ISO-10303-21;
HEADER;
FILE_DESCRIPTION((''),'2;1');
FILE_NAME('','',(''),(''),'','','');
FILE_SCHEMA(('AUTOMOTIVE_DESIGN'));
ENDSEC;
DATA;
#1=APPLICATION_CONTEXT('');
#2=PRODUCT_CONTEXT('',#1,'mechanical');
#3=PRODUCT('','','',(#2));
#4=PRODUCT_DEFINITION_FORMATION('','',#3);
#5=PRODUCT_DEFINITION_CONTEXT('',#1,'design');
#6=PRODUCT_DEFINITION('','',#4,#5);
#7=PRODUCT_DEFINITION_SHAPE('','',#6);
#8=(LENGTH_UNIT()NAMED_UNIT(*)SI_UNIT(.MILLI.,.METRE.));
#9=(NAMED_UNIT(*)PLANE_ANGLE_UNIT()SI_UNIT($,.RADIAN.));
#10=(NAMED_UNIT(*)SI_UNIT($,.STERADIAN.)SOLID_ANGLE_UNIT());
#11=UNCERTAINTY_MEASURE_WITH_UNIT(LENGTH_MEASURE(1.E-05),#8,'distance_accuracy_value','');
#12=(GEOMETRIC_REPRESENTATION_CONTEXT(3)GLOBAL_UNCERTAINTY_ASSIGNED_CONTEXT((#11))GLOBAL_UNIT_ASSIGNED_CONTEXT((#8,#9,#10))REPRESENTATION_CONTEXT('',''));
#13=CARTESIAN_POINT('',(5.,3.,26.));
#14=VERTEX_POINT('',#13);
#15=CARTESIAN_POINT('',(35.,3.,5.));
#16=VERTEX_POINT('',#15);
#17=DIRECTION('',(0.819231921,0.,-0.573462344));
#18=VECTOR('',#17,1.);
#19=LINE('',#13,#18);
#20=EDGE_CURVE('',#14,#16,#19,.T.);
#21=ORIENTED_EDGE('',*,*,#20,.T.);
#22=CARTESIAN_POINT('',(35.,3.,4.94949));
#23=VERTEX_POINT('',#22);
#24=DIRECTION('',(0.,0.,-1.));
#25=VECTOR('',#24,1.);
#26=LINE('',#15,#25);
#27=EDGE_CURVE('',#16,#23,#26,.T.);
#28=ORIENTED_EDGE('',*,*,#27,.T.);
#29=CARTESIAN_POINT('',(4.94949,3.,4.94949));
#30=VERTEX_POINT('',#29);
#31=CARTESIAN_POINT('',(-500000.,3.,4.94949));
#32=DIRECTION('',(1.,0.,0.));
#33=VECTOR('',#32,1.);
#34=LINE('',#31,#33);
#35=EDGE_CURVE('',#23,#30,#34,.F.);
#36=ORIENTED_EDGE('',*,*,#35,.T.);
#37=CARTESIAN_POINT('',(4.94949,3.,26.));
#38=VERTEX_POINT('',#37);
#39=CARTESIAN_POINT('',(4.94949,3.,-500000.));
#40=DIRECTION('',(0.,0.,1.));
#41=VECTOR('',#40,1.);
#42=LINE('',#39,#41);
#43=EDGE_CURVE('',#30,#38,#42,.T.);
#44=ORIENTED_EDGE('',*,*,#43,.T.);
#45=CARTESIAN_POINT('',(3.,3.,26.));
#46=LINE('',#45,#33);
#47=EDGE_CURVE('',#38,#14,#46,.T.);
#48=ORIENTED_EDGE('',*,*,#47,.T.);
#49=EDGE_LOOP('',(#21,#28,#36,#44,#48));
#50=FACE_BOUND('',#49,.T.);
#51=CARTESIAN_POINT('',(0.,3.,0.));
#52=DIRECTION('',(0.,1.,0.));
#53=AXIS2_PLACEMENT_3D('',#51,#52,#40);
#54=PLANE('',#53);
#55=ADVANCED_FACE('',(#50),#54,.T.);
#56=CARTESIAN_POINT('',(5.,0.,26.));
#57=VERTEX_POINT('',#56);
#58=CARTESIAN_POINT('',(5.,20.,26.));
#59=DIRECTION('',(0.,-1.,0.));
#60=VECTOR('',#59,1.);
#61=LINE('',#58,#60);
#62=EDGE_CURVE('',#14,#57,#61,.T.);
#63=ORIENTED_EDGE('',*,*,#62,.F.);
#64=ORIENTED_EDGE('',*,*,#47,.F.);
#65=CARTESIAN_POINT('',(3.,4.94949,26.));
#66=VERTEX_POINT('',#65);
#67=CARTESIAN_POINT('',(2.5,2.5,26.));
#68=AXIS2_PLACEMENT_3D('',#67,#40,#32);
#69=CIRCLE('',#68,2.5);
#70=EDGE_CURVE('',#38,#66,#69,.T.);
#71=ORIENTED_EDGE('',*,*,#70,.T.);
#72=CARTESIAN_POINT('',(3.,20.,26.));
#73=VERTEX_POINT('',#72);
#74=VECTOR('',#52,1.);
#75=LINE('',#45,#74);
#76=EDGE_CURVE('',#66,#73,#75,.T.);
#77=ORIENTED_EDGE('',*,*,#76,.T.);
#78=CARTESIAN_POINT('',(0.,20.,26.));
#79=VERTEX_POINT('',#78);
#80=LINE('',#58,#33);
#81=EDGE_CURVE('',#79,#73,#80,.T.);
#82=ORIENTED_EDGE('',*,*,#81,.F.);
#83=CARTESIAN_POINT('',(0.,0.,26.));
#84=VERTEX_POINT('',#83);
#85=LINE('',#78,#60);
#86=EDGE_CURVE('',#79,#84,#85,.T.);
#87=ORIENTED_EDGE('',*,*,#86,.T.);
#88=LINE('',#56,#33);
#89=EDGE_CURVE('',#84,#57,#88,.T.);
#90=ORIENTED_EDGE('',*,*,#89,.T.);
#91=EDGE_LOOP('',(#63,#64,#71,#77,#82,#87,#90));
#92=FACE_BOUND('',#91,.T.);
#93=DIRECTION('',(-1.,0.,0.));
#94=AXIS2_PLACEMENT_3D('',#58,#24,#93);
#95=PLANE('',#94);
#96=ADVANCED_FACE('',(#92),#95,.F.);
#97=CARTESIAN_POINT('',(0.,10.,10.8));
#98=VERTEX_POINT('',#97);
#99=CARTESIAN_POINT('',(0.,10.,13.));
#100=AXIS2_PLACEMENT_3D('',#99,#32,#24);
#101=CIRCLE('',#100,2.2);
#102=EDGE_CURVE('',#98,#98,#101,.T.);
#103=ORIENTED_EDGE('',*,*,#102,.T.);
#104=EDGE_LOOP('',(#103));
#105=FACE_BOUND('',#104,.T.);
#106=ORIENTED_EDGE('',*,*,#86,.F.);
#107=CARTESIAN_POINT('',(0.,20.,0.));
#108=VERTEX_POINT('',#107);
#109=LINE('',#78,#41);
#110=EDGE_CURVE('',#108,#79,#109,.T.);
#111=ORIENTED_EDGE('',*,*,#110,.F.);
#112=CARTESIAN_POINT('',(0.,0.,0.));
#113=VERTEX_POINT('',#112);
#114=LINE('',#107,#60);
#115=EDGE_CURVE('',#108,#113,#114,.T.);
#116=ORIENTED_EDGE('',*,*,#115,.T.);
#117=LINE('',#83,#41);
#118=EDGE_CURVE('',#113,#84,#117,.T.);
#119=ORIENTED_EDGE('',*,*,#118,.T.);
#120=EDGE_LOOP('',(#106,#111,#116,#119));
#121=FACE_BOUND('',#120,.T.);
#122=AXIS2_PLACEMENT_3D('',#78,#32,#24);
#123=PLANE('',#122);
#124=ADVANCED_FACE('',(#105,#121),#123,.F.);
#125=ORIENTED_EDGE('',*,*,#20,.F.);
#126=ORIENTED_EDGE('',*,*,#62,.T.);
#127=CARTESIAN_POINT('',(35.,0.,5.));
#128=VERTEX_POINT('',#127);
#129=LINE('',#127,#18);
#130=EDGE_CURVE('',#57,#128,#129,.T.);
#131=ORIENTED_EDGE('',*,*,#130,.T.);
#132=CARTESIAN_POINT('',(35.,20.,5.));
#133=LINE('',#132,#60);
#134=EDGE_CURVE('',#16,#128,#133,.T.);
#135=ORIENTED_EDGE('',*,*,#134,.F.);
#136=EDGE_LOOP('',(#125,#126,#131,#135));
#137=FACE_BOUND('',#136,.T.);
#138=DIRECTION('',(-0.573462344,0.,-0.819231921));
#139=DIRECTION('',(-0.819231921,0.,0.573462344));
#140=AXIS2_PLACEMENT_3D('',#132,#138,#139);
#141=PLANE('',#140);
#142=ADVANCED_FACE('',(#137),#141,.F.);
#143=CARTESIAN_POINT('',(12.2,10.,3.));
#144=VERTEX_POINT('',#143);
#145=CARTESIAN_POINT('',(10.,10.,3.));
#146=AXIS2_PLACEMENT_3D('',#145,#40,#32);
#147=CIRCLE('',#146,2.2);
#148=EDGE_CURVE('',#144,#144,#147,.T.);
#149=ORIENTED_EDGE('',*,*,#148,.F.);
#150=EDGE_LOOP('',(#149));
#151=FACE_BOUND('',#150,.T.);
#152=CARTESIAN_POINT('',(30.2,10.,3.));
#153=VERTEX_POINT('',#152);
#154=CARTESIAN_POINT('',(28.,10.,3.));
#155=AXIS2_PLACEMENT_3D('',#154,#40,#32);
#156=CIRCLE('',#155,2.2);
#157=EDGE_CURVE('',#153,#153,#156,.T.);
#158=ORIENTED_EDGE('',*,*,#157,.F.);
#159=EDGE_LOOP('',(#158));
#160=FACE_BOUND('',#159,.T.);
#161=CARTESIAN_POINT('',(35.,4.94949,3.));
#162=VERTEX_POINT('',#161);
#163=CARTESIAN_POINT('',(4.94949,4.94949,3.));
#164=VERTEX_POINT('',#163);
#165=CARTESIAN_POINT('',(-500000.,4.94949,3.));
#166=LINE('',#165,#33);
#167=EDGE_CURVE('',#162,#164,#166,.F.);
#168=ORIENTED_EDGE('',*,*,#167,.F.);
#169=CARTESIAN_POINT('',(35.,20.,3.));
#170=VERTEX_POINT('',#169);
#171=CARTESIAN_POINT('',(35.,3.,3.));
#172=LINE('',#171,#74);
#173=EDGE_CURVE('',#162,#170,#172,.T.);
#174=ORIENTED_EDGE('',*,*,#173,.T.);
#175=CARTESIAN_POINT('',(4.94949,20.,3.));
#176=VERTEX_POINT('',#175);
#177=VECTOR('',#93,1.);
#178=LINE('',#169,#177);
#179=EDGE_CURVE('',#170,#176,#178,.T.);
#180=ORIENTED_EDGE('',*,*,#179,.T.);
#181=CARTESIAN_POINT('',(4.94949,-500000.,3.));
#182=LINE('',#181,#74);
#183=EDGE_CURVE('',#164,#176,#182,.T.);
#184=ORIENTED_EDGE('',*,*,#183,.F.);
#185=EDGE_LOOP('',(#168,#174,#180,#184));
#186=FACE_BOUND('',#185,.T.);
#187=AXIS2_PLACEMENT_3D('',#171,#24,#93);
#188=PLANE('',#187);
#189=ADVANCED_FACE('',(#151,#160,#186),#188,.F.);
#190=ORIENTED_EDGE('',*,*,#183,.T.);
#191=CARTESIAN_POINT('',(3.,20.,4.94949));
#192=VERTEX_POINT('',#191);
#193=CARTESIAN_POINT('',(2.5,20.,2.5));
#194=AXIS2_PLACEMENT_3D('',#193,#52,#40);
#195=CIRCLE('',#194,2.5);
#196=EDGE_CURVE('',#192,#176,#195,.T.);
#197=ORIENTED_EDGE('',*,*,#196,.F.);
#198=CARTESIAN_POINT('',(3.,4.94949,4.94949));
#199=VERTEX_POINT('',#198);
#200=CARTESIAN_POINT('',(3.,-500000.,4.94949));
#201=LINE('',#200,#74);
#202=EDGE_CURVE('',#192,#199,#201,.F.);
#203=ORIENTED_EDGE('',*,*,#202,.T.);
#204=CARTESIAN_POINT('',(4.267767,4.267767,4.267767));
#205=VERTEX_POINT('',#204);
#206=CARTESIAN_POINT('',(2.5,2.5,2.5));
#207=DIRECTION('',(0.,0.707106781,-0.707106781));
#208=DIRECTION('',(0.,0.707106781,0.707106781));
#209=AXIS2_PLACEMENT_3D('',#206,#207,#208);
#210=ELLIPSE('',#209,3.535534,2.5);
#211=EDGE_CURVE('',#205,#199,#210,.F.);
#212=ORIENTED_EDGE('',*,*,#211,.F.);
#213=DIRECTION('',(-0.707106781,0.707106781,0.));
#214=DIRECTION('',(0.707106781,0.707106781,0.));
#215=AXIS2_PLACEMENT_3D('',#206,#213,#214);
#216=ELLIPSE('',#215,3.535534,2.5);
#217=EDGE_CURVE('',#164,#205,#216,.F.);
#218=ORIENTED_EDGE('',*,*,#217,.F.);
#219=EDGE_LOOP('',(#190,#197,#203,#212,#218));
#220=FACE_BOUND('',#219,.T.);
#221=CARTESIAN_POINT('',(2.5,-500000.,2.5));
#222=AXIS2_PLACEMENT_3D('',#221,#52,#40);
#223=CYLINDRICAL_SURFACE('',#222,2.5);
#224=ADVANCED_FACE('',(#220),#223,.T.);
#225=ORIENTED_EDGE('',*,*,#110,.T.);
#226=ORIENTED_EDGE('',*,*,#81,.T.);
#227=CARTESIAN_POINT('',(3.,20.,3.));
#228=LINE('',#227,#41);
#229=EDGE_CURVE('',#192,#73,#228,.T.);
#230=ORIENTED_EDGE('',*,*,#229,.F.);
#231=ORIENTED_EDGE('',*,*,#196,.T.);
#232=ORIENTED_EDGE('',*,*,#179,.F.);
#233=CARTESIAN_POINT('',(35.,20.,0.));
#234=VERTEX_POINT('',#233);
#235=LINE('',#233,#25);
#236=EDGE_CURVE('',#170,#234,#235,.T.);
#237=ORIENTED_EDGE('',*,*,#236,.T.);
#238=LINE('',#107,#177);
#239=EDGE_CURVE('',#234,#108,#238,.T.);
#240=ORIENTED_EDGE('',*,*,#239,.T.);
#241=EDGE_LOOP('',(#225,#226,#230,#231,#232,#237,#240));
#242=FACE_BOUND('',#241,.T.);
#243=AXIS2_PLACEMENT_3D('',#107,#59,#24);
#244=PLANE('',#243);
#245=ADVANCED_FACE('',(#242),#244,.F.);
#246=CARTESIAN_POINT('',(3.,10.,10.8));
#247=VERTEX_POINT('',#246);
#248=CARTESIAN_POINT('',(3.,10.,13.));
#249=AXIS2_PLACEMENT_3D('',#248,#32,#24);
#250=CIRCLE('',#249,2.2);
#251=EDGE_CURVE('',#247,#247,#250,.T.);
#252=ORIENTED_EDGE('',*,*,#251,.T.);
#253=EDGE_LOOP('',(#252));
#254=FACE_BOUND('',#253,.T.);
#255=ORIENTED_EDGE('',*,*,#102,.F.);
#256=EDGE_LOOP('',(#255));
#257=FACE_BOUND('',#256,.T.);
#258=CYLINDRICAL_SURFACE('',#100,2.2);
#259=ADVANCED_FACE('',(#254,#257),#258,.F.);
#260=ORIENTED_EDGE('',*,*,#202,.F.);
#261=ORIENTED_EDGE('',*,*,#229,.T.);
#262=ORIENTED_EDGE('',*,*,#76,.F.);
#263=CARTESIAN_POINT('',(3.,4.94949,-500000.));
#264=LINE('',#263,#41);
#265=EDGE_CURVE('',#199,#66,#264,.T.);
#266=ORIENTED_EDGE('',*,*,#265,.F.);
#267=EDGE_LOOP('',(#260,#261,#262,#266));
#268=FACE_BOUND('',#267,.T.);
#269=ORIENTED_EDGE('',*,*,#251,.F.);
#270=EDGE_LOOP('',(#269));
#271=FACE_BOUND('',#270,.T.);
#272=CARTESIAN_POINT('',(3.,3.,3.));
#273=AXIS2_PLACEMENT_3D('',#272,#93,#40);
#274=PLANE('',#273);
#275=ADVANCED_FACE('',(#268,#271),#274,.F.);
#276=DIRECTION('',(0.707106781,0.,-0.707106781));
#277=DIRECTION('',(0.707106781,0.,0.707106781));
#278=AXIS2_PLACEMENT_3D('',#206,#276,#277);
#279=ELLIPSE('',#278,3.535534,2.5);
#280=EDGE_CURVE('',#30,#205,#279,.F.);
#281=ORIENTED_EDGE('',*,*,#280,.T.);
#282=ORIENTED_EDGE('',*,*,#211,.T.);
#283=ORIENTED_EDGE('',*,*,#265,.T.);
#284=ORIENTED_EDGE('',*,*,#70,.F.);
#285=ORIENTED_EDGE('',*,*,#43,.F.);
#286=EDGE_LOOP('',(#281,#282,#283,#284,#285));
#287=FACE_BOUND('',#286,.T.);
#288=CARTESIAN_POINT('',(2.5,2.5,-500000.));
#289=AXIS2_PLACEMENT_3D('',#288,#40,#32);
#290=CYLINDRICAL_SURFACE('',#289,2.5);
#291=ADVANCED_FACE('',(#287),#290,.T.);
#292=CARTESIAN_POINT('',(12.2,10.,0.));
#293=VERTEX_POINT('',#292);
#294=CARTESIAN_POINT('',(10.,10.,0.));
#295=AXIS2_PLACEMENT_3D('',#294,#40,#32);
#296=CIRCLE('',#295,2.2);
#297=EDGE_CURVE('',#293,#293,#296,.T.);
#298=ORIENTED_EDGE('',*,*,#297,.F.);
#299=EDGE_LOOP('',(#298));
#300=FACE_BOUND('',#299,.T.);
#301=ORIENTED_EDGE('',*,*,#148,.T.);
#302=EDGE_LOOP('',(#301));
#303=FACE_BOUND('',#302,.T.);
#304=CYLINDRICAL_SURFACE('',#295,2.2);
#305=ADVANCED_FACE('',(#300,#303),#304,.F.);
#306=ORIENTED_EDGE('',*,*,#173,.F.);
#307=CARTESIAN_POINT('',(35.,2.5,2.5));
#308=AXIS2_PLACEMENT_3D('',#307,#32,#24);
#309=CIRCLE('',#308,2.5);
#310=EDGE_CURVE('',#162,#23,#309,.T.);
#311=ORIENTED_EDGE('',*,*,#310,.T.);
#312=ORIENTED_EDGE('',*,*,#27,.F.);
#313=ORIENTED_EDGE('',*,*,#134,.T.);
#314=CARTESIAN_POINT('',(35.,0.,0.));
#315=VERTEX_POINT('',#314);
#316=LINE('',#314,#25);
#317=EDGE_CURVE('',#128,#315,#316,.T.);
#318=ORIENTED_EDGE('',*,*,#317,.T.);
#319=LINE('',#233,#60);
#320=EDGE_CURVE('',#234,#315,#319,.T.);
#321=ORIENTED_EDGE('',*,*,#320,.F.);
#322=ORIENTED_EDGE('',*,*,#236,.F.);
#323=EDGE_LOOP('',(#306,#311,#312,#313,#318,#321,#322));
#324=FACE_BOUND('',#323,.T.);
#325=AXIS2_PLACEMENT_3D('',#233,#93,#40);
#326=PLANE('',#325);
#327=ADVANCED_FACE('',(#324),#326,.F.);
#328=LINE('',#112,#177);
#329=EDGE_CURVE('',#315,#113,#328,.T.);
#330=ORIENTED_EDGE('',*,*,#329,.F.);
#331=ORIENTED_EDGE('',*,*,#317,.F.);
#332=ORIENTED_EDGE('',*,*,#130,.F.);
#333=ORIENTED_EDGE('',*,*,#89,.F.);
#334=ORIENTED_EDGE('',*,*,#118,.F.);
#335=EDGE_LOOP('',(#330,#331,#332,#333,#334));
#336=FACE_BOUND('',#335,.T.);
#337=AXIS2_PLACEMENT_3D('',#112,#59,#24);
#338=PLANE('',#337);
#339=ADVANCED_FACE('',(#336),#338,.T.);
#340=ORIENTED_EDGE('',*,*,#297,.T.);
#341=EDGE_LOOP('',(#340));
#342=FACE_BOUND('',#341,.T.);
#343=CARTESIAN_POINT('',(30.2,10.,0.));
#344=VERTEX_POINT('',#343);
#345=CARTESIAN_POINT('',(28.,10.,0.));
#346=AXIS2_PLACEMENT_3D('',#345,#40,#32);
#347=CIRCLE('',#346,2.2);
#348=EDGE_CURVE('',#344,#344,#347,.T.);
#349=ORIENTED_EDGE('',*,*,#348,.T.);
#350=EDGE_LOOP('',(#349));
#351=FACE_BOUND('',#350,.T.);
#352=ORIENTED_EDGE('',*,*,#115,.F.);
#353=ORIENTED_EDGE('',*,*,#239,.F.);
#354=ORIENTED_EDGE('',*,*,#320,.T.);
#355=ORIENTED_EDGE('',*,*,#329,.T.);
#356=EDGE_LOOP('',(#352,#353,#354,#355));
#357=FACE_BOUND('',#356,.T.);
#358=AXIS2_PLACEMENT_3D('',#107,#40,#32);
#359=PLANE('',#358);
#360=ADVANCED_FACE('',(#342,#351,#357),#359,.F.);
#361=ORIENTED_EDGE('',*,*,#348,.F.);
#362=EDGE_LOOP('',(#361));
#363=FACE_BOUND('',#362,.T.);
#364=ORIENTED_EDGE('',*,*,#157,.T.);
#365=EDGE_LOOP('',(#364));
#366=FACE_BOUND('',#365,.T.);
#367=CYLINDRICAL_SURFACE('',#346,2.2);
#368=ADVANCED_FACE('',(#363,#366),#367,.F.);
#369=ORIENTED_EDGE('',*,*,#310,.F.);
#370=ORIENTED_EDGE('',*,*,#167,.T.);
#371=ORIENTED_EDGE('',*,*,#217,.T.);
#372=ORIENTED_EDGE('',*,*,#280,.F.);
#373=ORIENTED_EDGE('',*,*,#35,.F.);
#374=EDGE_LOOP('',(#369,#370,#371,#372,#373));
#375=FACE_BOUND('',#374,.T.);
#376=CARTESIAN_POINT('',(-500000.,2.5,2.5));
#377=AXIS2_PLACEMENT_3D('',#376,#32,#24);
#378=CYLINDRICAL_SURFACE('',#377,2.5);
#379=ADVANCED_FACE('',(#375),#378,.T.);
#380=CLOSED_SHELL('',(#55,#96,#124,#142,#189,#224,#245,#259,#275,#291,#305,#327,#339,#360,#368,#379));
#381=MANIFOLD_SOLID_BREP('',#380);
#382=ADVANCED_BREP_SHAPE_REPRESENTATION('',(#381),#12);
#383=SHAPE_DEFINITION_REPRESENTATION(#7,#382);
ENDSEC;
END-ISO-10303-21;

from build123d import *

# Parameters (mm, degrees)
BOSS_EXTRUDE1_DEPTH      = 20
CUT_EXTRUDE1_DEPTH       = 17
BOSS_EXTRUDE2_REACH      = 49.969
SKETCH3_R                = 2.5
BOSS_EXTRUDE3_REACH      = 49.969
BOSS_EXTRUDE3_END_RADIUS = 2.5
SKETCH4_R                = 2.5
BOSS_EXTRUDE4_REACH      = 49.969
SKETCH5_R                = 2.5
SKETCH6_R                = 2.2
CUT_EXTRUDE2_DEPTH       = 47.411205543
SKETCH7_R                = 2.2
CUT_EXTRUDE3_DEPTH       = 46.82575695


with BuildPart() as part:
    # Sketch1 → Boss-Extrude1 (new body)
    with BuildSketch(Plane(origin=(0, 0, 0), x_dir=(1, 0, 0), z_dir=(0, 1, 0))):
        Polygon((0, 0), (35, 0), (35, -5), (5, -26), (0, -26), align=None)
    extrude(amount=BOSS_EXTRUDE1_DEPTH)

    # Sketch2 → Cut-Extrude1 (cut)
    with BuildSketch(Plane(origin=(0, 20, 0), x_dir=(1, 0, 0), z_dir=(0, 1, 0))):
        Polygon((35, -3), (3, -3), (3, -26), (5, -26), (35, -5), align=None)
    extrude(amount=-CUT_EXTRUDE1_DEPTH, mode=Mode.SUBTRACT)

    # Sketch3 → Boss-Extrude2 (add, up to next)
    with BuildSketch(Plane.XY.offset(26), mode=Mode.PRIVATE) as boss_extrude2_sk1:
        with Locations((2.5, 2.5)):
            Circle(SKETCH3_R)
    boss_extrude2_tool1 = extrude(boss_extrude2_sk1.sketch, amount=-BOSS_EXTRUDE2_REACH, mode=Mode.PRIVATE) - part.part
    add(boss_extrude2_tool1.solids().sort_by_distance((2.5, 2.5, 26))[0])

    # Boss-Extrude3: up to this cylinder (the profile starts outside it)
    boss_extrude3_end = Plane(origin=(2.5, 2.5, 2.5), z_dir=(0, 0, 1)) * Cylinder(BOSS_EXTRUDE3_END_RADIUS, 105.938, mode=Mode.PRIVATE)
    # Sketch4 → Boss-Extrude3 (add, up to the surface)
    with BuildSketch(Plane(origin=(35, 0, 0), x_dir=(0, 0, -1), z_dir=(1, 0, 0)), mode=Mode.PRIVATE) as boss_extrude3_sk1:
        with Locations((-2.5, 2.5)):
            Circle(SKETCH4_R)
    boss_extrude3_tool1 = extrude(boss_extrude3_sk1.sketch, amount=-BOSS_EXTRUDE3_REACH, mode=Mode.PRIVATE) - boss_extrude3_end
    add(boss_extrude3_tool1.solids().sort_by_distance((35, 2.5, 2.5))[0])

    # Sketch5 → Boss-Extrude4 (add, up to next)
    with BuildSketch(Plane(origin=(0, 20, 0), x_dir=(1, 0, 0), z_dir=(0, 1, 0)), mode=Mode.PRIVATE) as boss_extrude4_sk1:
        with Locations((2.5, -2.5)):
            Circle(SKETCH5_R)
    boss_extrude4_tool1 = extrude(boss_extrude4_sk1.sketch, amount=-BOSS_EXTRUDE4_REACH, mode=Mode.PRIVATE) - part.part
    add(boss_extrude4_tool1.solids().sort_by_distance((2.5, 20, 2.5))[0])

    # Sketch6 → Cut-Extrude2 (cut, through all)
    with BuildSketch(Plane.XY.offset(3)):
        with Locations((10, 10)):
            Circle(SKETCH6_R)
        with Locations((28, 10)):
            Circle(SKETCH6_R)
    extrude(amount=-CUT_EXTRUDE2_DEPTH, mode=Mode.SUBTRACT)

    # Sketch7 → Cut-Extrude3 (cut, through all)
    with BuildSketch(Plane(origin=(3, 0, 0), x_dir=(0, 0, -1), z_dir=(1, 0, 0))):
        with Locations((-13, 10)):
            Circle(SKETCH7_R)
    extrude(amount=-CUT_EXTRUDE3_DEPTH, mode=Mode.SUBTRACT)


solid = part.part
